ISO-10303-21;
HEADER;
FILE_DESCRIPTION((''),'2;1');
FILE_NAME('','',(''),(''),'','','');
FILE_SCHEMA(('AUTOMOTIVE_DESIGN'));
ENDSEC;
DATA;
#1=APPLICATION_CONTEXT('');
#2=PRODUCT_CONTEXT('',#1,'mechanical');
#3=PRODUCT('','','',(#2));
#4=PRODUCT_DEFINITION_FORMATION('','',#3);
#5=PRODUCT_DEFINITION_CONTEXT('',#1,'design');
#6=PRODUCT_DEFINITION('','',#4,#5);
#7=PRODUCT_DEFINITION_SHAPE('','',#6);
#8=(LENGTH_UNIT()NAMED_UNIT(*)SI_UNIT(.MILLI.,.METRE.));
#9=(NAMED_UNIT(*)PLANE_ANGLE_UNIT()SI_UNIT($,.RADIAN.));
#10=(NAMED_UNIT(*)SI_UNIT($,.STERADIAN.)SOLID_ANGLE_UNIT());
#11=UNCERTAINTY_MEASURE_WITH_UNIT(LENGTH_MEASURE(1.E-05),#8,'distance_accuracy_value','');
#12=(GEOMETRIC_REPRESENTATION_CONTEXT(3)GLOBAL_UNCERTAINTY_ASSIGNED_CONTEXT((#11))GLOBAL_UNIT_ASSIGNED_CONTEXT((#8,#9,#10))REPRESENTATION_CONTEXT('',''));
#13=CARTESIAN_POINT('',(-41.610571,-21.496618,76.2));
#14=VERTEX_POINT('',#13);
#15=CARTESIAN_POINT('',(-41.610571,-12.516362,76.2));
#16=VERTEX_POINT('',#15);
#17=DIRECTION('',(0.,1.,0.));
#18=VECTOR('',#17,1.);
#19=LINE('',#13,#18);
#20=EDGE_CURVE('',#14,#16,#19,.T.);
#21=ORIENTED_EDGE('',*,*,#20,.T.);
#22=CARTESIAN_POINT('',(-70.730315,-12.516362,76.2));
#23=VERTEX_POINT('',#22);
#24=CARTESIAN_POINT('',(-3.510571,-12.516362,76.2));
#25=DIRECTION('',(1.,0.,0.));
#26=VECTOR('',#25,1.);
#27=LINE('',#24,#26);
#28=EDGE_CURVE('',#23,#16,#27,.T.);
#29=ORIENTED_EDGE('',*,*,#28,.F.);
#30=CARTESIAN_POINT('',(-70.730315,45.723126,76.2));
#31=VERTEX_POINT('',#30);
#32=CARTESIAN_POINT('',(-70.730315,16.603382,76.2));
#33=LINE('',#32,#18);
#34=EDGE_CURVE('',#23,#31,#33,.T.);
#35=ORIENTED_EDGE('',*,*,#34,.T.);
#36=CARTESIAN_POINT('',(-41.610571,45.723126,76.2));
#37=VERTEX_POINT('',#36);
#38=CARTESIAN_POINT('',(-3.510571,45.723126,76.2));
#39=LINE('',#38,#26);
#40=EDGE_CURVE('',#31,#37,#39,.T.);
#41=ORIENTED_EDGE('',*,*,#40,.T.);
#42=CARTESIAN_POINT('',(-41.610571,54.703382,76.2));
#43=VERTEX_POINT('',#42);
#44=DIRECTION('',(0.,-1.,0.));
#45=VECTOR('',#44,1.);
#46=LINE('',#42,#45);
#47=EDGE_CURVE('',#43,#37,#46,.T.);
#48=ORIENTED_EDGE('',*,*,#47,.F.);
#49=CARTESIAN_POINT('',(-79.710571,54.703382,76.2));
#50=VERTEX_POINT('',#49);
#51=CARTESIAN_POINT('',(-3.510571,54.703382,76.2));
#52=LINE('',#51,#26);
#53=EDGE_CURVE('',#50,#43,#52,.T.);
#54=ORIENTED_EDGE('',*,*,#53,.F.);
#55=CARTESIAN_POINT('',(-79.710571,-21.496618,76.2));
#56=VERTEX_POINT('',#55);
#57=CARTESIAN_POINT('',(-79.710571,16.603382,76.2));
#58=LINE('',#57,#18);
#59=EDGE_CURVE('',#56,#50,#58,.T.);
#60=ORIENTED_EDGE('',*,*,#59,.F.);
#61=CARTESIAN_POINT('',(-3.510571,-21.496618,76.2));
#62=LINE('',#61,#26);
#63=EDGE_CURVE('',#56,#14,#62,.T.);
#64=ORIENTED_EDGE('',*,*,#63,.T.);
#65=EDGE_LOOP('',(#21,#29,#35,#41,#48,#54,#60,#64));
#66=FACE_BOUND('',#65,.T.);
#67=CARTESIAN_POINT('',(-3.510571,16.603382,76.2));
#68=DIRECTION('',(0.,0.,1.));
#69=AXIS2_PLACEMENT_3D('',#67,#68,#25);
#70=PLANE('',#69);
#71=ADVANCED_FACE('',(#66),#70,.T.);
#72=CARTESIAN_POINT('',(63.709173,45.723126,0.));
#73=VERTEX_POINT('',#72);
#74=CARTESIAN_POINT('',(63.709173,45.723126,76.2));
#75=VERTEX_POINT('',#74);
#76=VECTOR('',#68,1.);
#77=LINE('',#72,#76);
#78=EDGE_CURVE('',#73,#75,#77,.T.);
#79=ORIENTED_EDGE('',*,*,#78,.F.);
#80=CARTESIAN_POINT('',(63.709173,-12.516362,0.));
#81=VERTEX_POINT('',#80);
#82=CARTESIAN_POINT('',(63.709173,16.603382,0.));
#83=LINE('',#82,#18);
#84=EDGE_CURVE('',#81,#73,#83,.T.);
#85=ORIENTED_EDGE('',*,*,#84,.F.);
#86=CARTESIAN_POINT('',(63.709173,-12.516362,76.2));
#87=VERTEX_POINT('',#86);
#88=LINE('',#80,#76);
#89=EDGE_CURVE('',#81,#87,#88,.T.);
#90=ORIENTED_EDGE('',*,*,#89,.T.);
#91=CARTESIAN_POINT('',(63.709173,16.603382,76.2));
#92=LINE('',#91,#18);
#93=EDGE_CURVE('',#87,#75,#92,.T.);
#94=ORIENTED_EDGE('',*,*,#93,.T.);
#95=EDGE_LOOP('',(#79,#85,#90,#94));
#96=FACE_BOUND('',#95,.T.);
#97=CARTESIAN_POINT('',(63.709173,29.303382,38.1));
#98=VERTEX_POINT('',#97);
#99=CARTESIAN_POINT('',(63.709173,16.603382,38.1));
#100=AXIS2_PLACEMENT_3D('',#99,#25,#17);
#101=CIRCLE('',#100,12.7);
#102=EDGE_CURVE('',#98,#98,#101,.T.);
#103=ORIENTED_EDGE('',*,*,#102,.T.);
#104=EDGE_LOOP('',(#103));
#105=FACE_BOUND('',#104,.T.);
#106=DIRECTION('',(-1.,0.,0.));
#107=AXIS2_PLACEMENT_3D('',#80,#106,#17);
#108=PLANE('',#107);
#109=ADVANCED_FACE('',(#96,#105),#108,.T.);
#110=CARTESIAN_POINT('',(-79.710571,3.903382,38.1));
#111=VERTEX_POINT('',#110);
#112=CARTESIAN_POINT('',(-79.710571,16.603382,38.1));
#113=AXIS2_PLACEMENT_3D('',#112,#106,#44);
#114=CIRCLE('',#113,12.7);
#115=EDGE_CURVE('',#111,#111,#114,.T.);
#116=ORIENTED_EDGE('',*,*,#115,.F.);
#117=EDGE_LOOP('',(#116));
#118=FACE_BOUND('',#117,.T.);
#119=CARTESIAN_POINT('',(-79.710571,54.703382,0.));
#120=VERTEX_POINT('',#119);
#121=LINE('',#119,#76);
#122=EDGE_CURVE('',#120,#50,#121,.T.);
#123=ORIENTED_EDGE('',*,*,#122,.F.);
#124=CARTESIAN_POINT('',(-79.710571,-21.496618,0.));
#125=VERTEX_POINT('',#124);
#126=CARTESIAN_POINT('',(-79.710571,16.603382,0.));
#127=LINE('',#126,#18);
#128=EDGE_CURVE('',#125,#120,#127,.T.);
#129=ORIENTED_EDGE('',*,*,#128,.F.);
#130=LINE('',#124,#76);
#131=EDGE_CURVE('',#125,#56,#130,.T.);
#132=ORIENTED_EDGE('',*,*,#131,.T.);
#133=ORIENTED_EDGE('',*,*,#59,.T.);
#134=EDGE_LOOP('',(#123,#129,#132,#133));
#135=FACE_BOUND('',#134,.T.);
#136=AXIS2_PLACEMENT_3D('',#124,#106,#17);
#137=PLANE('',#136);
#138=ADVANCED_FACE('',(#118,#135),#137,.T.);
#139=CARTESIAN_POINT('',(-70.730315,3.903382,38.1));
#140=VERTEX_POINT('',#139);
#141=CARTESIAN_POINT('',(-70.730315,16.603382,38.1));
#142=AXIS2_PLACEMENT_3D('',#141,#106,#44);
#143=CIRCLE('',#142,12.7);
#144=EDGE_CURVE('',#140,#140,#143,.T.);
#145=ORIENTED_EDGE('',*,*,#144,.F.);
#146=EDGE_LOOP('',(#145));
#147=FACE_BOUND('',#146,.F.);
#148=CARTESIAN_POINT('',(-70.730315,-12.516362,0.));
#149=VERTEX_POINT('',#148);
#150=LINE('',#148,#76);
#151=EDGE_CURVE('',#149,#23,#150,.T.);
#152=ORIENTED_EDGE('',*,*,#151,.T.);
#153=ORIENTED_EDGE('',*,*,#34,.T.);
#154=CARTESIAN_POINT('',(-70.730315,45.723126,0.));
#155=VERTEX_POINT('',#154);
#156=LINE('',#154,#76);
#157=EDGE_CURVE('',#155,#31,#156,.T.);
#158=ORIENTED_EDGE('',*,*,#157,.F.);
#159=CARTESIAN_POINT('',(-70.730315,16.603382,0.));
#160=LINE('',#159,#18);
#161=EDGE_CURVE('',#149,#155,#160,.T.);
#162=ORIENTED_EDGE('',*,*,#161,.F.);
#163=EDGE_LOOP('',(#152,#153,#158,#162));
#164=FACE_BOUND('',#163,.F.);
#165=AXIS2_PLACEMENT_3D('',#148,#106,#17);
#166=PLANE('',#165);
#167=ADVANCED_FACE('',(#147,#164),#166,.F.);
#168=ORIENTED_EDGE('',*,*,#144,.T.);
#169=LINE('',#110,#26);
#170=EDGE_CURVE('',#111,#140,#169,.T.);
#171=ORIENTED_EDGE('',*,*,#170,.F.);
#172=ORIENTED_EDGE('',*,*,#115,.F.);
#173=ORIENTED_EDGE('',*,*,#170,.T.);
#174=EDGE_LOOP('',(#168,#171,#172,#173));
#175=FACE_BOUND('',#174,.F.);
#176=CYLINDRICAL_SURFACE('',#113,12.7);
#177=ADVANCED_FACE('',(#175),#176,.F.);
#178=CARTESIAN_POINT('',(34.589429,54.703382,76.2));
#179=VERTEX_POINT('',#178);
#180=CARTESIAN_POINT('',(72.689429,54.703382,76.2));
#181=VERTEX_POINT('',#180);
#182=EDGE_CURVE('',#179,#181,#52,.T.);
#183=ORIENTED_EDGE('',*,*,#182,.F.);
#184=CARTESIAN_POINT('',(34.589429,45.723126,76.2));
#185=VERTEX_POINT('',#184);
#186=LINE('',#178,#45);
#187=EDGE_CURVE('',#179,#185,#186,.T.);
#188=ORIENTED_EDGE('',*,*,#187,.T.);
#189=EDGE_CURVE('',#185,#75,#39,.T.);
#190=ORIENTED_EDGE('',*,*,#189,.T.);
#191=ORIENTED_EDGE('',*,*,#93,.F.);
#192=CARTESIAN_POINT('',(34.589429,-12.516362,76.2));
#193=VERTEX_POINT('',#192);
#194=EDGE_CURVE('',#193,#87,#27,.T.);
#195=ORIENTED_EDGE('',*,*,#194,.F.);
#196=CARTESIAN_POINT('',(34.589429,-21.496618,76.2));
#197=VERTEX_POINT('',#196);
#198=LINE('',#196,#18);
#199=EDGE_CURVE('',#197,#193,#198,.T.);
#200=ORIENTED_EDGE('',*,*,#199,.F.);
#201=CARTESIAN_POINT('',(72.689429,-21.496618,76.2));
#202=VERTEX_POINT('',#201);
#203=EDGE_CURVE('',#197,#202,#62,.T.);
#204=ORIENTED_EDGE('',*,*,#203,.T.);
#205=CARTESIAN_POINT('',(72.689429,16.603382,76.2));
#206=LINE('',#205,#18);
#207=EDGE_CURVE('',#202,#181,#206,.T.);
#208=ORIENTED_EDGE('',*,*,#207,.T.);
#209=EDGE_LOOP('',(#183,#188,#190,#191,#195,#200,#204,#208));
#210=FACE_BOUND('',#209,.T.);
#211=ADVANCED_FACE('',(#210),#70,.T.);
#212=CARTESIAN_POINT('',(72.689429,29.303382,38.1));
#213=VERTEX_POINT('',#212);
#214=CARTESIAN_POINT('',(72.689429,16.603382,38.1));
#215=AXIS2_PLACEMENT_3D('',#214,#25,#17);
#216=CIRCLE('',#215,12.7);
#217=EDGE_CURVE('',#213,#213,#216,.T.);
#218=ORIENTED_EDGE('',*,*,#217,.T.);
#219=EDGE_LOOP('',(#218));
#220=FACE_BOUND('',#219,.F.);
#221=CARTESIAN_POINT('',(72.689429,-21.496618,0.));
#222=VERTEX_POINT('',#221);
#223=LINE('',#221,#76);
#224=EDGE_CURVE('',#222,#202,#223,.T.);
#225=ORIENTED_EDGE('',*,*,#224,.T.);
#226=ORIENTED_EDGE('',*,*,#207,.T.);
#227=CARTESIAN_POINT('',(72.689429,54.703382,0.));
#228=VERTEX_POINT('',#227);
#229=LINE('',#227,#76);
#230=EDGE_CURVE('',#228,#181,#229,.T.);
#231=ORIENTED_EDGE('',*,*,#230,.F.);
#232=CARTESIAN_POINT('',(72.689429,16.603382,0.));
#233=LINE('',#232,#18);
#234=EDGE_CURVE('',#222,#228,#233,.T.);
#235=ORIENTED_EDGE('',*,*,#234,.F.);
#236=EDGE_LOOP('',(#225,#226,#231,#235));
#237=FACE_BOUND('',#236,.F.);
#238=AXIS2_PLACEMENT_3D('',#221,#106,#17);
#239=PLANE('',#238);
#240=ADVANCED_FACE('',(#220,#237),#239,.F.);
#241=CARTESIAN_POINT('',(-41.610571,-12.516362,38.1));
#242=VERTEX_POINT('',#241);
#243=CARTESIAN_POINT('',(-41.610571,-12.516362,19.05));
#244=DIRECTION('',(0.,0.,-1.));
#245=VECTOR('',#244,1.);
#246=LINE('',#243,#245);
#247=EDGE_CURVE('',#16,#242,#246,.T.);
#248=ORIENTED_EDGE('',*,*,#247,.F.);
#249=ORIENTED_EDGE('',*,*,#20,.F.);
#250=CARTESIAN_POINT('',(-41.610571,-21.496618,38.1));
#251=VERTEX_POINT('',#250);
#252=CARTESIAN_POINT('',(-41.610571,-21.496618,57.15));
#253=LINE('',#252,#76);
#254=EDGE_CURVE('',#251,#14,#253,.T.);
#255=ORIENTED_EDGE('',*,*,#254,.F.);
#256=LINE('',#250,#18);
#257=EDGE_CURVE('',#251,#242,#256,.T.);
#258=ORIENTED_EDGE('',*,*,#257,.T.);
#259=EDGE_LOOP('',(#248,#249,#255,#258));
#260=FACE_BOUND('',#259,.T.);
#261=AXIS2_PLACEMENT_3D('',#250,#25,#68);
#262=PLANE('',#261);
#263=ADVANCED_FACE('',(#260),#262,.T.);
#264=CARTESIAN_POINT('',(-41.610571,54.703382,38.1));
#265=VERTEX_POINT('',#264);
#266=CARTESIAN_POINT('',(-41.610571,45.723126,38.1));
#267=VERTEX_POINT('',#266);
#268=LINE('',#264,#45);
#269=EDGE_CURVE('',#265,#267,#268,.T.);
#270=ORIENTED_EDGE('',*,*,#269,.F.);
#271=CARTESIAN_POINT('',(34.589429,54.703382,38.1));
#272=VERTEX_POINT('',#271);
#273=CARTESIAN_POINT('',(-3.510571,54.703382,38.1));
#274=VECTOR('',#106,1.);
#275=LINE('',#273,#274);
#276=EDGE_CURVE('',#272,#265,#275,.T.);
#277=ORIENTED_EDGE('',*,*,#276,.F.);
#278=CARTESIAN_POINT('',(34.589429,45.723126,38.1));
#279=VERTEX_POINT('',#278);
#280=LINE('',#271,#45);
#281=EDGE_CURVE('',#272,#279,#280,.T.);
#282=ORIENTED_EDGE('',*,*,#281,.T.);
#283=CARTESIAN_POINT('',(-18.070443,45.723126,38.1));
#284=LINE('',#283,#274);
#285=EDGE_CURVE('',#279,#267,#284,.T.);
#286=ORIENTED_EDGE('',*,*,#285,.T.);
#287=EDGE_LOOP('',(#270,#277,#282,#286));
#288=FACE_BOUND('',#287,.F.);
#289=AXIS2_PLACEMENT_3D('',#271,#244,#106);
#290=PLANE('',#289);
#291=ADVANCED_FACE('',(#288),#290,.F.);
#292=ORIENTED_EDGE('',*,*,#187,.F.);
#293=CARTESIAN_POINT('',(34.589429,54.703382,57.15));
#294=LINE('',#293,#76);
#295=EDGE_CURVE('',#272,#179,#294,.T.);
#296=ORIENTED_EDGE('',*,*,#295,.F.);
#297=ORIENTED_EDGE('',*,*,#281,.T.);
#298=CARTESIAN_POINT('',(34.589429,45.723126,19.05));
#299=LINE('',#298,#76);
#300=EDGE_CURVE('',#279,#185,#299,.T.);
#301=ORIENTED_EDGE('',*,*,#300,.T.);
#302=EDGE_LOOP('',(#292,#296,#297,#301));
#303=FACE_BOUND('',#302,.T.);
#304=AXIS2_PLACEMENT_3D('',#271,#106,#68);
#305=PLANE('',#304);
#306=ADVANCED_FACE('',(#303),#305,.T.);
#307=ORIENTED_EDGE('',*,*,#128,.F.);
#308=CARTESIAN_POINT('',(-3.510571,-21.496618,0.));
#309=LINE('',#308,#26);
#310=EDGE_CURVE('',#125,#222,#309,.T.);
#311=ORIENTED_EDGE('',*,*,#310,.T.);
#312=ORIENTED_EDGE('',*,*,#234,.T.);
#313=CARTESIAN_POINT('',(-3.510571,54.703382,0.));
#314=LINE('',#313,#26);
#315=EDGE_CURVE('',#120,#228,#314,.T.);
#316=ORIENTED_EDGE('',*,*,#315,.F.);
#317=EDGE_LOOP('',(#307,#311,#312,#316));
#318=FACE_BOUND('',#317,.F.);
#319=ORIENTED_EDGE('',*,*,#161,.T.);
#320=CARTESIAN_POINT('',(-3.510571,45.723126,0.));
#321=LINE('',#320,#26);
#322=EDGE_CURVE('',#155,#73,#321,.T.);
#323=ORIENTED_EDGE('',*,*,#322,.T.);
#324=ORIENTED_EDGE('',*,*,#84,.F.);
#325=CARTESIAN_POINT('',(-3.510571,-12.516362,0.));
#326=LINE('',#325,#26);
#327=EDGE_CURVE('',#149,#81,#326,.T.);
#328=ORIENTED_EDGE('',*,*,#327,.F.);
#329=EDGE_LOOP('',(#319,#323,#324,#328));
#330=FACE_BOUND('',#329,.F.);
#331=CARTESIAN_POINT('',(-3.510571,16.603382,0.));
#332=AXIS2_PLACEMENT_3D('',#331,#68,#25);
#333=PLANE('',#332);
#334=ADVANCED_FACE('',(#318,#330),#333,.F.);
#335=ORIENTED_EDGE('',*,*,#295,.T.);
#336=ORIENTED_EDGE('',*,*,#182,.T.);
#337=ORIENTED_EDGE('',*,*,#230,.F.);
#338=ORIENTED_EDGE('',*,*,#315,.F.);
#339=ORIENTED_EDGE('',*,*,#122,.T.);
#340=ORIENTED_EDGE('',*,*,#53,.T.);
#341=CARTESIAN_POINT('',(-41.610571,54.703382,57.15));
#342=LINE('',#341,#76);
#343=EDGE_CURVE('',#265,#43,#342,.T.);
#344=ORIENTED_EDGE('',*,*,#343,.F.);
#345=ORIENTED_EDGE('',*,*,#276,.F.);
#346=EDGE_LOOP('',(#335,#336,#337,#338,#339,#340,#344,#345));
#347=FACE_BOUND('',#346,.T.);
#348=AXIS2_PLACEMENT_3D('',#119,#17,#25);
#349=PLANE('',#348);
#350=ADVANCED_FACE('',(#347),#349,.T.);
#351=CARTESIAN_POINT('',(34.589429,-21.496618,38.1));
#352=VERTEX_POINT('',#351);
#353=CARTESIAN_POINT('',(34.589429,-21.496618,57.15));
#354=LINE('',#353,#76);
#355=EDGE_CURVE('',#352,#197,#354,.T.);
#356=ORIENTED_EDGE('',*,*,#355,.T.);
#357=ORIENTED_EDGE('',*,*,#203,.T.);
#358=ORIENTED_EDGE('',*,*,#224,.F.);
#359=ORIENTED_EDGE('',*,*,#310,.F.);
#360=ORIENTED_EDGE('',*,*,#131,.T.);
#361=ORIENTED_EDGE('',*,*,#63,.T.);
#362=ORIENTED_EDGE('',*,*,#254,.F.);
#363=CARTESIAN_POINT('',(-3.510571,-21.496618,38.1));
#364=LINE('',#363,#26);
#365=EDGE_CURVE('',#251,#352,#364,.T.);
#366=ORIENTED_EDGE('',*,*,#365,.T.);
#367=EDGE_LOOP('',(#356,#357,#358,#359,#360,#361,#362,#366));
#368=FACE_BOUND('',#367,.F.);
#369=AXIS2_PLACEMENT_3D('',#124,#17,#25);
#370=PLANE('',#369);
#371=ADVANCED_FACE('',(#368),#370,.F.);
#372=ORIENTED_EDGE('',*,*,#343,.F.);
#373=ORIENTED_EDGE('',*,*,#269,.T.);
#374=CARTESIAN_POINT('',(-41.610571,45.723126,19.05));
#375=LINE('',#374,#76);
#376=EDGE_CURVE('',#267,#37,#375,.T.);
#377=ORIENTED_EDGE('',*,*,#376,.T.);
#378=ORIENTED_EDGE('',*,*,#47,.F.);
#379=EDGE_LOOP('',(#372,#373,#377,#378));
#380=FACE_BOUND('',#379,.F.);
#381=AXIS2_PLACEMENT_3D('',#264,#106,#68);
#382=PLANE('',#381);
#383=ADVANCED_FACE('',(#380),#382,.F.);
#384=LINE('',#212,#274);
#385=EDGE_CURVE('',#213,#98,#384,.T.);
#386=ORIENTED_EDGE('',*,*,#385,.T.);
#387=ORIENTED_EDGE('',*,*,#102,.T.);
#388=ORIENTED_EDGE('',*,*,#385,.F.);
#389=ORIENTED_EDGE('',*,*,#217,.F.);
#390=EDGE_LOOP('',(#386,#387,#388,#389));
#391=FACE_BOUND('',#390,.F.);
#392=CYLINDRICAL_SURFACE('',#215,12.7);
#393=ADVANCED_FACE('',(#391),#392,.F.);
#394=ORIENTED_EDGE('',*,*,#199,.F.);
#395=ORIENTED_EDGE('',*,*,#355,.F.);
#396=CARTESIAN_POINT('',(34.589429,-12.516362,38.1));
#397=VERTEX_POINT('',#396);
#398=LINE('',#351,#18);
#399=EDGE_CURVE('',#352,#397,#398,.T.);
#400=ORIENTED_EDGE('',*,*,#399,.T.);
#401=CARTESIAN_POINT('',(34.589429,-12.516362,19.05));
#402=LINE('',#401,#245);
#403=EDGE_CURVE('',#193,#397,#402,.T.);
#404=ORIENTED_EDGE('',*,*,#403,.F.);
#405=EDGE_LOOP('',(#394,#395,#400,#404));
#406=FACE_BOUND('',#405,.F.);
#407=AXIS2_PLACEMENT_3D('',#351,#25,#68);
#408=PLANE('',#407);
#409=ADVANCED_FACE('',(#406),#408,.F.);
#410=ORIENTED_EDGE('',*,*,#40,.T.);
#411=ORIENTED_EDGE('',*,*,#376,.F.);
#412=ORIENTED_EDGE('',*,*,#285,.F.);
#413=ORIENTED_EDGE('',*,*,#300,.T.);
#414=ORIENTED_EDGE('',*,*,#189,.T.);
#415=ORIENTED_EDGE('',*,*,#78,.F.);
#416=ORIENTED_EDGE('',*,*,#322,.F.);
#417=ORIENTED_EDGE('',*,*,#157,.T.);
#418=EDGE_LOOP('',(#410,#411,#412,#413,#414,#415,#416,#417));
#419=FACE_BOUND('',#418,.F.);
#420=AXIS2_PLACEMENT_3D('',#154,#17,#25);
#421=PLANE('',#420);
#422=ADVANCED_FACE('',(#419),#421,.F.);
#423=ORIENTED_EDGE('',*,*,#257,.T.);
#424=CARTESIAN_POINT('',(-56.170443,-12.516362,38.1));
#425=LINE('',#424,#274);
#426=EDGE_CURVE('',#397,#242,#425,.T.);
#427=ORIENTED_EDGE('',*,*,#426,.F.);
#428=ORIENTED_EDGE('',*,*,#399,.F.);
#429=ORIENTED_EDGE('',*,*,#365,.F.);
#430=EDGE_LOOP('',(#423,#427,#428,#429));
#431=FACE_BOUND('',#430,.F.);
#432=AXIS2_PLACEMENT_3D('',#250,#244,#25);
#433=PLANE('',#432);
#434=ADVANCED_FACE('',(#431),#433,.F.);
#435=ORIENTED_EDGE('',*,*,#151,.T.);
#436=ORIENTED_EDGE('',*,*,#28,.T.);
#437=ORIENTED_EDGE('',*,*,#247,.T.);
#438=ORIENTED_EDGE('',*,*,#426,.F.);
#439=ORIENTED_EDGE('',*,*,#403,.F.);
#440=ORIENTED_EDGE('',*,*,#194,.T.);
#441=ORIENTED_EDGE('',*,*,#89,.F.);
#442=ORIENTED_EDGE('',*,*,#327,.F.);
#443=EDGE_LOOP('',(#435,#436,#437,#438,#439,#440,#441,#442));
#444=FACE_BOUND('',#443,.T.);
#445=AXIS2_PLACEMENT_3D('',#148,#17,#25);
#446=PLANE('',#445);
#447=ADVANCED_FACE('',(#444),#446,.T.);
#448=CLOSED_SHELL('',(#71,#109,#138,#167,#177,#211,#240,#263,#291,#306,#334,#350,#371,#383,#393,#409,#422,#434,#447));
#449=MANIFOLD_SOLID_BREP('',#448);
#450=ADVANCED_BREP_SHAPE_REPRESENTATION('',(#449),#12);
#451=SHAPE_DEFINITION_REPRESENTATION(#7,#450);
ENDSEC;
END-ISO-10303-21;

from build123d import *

# Parameters (mm, degrees)
F0_W     = 152.4
F0_H     = 76.2
F0_W_2   = 134.439488
F0_H_2   = 58.239488
F1_DEPTH = 76.2
F2_W     = 76.2
F2_H     = 38.1
F3_DEPTH = 25.4
F4_W     = 76.2
F4_H     = 38.1
F5_DEPTH = 25.4
F6_R     = 12.7
F7_DEPTH = 51.562
F8_R     = 12.7
F9_DEPTH = 25.4


with BuildPart() as f1:
    # F0 (on Top) → F1 (new body)
    with BuildSketch(Plane.XY):
        with Locations((-3.510571, 16.603382)):
            Rectangle(F0_W, F0_H)
        with Locations((-3.510571, 16.603382)):
            Rectangle(F0_W_2, F0_H_2, mode=Mode.SUBTRACT)
    extrude(amount=F1_DEPTH)

    # F2 (on face) → F3 (cut)
    with BuildSketch(Plane.XZ.offset(21.496618)):
        with Locations((-3.510571, 57.15)):
            Rectangle(F2_W, F2_H)
    extrude(amount=-F3_DEPTH, mode=Mode.SUBTRACT)

    # F4 (on face) → F5 (cut)
    with BuildSketch(Plane(origin=(0, 54.703382, 0), x_dir=(-1, 0, 0), z_dir=(0, 1, 0))):
        with Locations((3.510571, 57.15)):
            Rectangle(F4_W, F4_H)
    extrude(amount=-F5_DEPTH, mode=Mode.SUBTRACT)

    # F6 (on face) → F7 (cut)
    with BuildSketch(Plane(origin=(-79.710571, 0, 0), x_dir=(0, -1, 0), z_dir=(-1, 0, 0))):
        with Locations((-16.603382, 38.1)):
            Circle(F6_R)
    extrude(amount=-F7_DEPTH, mode=Mode.SUBTRACT)

    # F8 (on face) → F9 (cut)
    with BuildSketch(Plane.YZ.offset(72.689429)):
        with Locations((16.603382, 38.1)):
            Circle(F8_R)
    extrude(amount=-F9_DEPTH, mode=Mode.SUBTRACT)


solid = f1.part
